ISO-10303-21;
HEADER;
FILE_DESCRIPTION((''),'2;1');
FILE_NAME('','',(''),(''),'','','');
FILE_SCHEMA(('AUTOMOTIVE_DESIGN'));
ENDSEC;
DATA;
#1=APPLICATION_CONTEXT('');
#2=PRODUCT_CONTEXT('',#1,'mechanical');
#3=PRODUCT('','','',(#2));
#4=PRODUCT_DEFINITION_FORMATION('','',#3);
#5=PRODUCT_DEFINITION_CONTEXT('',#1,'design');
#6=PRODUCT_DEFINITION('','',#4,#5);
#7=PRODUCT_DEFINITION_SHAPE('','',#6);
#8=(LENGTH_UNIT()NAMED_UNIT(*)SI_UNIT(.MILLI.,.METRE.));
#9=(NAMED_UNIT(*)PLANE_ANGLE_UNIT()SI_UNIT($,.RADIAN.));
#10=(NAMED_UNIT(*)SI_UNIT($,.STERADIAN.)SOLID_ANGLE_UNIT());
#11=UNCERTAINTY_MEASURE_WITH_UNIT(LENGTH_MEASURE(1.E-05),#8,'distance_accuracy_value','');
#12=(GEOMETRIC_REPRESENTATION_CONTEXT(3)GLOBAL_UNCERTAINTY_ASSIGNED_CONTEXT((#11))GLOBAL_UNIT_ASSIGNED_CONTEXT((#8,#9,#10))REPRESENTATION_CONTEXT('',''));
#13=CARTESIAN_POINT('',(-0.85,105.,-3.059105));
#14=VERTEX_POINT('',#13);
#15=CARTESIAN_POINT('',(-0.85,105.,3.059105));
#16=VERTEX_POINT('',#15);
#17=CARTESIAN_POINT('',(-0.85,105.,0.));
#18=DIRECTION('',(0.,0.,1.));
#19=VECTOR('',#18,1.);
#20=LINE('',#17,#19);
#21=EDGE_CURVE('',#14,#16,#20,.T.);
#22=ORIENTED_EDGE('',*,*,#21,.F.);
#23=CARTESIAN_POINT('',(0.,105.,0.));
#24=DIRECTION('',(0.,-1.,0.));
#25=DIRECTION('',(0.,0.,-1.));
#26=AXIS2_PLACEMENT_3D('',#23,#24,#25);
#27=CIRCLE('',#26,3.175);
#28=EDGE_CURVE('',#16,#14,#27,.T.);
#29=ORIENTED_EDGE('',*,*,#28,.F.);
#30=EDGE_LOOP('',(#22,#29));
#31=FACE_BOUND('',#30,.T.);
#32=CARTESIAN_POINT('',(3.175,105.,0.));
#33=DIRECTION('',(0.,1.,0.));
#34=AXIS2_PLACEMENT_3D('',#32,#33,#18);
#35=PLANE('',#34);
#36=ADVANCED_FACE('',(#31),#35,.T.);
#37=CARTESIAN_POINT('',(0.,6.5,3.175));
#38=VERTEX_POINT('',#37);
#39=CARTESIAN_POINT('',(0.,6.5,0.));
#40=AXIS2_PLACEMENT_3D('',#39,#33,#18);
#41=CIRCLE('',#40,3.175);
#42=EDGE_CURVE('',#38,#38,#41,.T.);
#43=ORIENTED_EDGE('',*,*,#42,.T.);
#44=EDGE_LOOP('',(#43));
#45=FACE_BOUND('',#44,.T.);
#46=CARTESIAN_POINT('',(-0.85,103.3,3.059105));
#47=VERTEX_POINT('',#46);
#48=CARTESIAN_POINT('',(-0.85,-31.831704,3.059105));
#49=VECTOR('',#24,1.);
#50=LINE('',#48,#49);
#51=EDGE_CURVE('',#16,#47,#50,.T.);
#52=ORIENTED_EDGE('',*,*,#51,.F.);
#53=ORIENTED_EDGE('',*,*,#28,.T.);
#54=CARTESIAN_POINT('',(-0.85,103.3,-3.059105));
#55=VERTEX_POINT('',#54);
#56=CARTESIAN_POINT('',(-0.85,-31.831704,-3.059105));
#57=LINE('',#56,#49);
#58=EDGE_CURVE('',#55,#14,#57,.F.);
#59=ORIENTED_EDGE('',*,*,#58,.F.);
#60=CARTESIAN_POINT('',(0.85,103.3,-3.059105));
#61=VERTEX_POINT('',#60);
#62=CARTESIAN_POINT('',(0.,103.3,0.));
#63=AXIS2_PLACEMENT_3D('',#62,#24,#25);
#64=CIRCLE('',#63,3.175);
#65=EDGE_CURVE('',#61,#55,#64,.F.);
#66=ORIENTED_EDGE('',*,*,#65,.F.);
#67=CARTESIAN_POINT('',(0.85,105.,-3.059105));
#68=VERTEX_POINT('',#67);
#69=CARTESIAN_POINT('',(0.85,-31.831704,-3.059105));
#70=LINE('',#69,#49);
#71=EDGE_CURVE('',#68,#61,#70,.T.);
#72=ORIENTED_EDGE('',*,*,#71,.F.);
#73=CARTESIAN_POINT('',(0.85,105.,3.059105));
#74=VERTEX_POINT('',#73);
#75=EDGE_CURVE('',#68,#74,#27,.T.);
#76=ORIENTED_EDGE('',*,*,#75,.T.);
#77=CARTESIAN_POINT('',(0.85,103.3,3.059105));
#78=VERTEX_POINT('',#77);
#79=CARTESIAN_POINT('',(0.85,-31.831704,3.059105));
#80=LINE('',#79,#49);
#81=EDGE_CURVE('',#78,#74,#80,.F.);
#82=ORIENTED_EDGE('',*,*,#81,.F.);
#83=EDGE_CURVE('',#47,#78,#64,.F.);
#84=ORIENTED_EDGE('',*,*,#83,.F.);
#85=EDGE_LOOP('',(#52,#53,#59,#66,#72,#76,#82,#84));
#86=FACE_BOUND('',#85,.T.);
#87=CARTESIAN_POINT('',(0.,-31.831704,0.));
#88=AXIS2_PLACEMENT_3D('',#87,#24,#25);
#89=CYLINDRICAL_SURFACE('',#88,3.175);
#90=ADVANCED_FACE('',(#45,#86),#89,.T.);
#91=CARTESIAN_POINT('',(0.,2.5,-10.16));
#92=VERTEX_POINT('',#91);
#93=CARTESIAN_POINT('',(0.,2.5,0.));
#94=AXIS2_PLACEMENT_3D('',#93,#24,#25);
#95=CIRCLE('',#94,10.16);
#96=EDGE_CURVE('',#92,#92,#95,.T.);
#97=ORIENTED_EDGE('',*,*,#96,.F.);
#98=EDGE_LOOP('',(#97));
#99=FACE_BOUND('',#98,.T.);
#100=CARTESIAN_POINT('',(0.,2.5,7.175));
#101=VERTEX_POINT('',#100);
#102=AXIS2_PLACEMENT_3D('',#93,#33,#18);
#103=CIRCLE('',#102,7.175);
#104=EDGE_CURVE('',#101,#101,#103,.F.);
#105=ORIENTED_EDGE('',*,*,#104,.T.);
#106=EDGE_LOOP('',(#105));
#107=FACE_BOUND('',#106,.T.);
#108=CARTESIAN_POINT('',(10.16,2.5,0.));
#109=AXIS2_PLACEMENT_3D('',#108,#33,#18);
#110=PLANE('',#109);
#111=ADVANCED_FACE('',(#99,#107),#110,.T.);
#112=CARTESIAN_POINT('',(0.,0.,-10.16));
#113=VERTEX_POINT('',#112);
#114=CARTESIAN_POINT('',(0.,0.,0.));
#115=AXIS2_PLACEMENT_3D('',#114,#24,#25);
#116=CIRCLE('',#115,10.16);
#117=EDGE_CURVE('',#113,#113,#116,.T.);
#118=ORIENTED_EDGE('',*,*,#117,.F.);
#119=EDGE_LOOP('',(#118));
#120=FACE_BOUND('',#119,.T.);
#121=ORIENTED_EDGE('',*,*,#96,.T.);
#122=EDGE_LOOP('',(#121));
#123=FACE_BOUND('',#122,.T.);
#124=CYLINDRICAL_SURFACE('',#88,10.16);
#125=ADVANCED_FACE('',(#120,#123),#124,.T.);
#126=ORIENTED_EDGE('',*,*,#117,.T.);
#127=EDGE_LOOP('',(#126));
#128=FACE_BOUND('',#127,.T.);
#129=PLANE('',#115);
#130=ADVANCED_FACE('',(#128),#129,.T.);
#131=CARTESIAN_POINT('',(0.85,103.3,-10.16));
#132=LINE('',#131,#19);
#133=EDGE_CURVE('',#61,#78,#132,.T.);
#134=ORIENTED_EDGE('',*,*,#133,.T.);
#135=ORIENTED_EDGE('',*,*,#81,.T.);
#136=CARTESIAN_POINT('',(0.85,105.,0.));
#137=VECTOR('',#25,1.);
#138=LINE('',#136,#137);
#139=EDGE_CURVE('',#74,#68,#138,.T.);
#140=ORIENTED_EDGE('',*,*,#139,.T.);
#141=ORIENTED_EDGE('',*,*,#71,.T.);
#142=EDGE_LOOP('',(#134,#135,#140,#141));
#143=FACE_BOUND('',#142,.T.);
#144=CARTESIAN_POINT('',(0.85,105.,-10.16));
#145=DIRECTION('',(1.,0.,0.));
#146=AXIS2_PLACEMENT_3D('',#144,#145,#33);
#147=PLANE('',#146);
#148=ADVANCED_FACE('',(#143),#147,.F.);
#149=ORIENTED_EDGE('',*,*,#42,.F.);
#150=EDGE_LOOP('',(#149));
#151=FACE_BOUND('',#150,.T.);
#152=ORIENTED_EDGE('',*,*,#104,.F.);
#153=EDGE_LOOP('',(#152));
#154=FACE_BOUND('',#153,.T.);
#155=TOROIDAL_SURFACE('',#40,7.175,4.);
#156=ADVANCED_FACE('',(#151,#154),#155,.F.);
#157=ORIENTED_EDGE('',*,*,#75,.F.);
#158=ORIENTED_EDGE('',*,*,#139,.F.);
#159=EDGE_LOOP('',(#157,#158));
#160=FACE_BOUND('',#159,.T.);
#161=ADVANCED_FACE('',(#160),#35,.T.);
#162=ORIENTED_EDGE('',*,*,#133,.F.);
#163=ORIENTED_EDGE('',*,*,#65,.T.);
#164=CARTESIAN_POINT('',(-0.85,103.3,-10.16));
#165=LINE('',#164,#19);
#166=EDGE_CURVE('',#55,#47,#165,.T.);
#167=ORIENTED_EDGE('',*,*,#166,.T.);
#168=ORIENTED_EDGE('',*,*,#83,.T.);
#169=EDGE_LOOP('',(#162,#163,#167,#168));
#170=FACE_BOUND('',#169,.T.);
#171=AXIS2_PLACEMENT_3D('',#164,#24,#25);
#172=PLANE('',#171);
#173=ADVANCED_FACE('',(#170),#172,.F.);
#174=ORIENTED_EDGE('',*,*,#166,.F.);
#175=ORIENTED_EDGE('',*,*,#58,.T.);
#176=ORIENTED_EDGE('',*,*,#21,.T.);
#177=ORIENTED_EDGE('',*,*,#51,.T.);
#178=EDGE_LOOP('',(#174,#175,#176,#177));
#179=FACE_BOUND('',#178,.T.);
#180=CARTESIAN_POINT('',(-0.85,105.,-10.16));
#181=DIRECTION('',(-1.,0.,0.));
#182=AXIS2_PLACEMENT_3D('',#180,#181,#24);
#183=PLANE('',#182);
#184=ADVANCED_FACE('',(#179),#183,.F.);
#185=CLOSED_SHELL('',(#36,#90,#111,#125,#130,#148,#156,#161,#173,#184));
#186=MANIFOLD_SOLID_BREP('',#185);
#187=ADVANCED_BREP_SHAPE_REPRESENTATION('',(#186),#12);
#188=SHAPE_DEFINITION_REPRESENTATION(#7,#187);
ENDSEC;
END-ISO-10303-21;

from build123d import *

# Parameters (mm, degrees)
FILLET1_R               = 4
CUT_EXTRUDE3_DEPTH      = 106.978541224
CUT_EXTRUDE3_DEPTH_BACK = 106.978541224
SKETCH4_W               = 1.7
SKETCH4_H               = 1.7


with BuildPart() as part:
    # Sketch1 → Revolve1 (revolve)
    with BuildSketch(Plane.XY, mode=Mode.PRIVATE) as revolve1_sk:
        Polygon((0, 0), (10.16, 0), (10.16, 2.5), (3.175, 2.5), (3.175, 105), (0, 105), align=None)
    revolve(revolve1_sk.sketch.rotate(Axis((0, -31.831703756, 0), (0, 1, 0)), 90), axis=Axis((0, -31.831703756, 0), (0, 1, 0)))

    # Fillet1
    fillet1_edges = [part.edges().sort_by_distance(p)[0] for p in [
        (0, 2.5, 3.175),
    ]]
    fillet(fillet1_edges, radius=FILLET1_R)

    # Sketch4 → Cut-Extrude3 (cut, two sides: drawn at the far end of the back side and taken through both)
    with BuildSketch(Plane.XY.offset(-CUT_EXTRUDE3_DEPTH_BACK)):
        with Locations((0, 104.15)):
            Rectangle(SKETCH4_W, SKETCH4_H)
    extrude(amount=CUT_EXTRUDE3_DEPTH + CUT_EXTRUDE3_DEPTH_BACK, mode=Mode.SUBTRACT)


solid = part.part
